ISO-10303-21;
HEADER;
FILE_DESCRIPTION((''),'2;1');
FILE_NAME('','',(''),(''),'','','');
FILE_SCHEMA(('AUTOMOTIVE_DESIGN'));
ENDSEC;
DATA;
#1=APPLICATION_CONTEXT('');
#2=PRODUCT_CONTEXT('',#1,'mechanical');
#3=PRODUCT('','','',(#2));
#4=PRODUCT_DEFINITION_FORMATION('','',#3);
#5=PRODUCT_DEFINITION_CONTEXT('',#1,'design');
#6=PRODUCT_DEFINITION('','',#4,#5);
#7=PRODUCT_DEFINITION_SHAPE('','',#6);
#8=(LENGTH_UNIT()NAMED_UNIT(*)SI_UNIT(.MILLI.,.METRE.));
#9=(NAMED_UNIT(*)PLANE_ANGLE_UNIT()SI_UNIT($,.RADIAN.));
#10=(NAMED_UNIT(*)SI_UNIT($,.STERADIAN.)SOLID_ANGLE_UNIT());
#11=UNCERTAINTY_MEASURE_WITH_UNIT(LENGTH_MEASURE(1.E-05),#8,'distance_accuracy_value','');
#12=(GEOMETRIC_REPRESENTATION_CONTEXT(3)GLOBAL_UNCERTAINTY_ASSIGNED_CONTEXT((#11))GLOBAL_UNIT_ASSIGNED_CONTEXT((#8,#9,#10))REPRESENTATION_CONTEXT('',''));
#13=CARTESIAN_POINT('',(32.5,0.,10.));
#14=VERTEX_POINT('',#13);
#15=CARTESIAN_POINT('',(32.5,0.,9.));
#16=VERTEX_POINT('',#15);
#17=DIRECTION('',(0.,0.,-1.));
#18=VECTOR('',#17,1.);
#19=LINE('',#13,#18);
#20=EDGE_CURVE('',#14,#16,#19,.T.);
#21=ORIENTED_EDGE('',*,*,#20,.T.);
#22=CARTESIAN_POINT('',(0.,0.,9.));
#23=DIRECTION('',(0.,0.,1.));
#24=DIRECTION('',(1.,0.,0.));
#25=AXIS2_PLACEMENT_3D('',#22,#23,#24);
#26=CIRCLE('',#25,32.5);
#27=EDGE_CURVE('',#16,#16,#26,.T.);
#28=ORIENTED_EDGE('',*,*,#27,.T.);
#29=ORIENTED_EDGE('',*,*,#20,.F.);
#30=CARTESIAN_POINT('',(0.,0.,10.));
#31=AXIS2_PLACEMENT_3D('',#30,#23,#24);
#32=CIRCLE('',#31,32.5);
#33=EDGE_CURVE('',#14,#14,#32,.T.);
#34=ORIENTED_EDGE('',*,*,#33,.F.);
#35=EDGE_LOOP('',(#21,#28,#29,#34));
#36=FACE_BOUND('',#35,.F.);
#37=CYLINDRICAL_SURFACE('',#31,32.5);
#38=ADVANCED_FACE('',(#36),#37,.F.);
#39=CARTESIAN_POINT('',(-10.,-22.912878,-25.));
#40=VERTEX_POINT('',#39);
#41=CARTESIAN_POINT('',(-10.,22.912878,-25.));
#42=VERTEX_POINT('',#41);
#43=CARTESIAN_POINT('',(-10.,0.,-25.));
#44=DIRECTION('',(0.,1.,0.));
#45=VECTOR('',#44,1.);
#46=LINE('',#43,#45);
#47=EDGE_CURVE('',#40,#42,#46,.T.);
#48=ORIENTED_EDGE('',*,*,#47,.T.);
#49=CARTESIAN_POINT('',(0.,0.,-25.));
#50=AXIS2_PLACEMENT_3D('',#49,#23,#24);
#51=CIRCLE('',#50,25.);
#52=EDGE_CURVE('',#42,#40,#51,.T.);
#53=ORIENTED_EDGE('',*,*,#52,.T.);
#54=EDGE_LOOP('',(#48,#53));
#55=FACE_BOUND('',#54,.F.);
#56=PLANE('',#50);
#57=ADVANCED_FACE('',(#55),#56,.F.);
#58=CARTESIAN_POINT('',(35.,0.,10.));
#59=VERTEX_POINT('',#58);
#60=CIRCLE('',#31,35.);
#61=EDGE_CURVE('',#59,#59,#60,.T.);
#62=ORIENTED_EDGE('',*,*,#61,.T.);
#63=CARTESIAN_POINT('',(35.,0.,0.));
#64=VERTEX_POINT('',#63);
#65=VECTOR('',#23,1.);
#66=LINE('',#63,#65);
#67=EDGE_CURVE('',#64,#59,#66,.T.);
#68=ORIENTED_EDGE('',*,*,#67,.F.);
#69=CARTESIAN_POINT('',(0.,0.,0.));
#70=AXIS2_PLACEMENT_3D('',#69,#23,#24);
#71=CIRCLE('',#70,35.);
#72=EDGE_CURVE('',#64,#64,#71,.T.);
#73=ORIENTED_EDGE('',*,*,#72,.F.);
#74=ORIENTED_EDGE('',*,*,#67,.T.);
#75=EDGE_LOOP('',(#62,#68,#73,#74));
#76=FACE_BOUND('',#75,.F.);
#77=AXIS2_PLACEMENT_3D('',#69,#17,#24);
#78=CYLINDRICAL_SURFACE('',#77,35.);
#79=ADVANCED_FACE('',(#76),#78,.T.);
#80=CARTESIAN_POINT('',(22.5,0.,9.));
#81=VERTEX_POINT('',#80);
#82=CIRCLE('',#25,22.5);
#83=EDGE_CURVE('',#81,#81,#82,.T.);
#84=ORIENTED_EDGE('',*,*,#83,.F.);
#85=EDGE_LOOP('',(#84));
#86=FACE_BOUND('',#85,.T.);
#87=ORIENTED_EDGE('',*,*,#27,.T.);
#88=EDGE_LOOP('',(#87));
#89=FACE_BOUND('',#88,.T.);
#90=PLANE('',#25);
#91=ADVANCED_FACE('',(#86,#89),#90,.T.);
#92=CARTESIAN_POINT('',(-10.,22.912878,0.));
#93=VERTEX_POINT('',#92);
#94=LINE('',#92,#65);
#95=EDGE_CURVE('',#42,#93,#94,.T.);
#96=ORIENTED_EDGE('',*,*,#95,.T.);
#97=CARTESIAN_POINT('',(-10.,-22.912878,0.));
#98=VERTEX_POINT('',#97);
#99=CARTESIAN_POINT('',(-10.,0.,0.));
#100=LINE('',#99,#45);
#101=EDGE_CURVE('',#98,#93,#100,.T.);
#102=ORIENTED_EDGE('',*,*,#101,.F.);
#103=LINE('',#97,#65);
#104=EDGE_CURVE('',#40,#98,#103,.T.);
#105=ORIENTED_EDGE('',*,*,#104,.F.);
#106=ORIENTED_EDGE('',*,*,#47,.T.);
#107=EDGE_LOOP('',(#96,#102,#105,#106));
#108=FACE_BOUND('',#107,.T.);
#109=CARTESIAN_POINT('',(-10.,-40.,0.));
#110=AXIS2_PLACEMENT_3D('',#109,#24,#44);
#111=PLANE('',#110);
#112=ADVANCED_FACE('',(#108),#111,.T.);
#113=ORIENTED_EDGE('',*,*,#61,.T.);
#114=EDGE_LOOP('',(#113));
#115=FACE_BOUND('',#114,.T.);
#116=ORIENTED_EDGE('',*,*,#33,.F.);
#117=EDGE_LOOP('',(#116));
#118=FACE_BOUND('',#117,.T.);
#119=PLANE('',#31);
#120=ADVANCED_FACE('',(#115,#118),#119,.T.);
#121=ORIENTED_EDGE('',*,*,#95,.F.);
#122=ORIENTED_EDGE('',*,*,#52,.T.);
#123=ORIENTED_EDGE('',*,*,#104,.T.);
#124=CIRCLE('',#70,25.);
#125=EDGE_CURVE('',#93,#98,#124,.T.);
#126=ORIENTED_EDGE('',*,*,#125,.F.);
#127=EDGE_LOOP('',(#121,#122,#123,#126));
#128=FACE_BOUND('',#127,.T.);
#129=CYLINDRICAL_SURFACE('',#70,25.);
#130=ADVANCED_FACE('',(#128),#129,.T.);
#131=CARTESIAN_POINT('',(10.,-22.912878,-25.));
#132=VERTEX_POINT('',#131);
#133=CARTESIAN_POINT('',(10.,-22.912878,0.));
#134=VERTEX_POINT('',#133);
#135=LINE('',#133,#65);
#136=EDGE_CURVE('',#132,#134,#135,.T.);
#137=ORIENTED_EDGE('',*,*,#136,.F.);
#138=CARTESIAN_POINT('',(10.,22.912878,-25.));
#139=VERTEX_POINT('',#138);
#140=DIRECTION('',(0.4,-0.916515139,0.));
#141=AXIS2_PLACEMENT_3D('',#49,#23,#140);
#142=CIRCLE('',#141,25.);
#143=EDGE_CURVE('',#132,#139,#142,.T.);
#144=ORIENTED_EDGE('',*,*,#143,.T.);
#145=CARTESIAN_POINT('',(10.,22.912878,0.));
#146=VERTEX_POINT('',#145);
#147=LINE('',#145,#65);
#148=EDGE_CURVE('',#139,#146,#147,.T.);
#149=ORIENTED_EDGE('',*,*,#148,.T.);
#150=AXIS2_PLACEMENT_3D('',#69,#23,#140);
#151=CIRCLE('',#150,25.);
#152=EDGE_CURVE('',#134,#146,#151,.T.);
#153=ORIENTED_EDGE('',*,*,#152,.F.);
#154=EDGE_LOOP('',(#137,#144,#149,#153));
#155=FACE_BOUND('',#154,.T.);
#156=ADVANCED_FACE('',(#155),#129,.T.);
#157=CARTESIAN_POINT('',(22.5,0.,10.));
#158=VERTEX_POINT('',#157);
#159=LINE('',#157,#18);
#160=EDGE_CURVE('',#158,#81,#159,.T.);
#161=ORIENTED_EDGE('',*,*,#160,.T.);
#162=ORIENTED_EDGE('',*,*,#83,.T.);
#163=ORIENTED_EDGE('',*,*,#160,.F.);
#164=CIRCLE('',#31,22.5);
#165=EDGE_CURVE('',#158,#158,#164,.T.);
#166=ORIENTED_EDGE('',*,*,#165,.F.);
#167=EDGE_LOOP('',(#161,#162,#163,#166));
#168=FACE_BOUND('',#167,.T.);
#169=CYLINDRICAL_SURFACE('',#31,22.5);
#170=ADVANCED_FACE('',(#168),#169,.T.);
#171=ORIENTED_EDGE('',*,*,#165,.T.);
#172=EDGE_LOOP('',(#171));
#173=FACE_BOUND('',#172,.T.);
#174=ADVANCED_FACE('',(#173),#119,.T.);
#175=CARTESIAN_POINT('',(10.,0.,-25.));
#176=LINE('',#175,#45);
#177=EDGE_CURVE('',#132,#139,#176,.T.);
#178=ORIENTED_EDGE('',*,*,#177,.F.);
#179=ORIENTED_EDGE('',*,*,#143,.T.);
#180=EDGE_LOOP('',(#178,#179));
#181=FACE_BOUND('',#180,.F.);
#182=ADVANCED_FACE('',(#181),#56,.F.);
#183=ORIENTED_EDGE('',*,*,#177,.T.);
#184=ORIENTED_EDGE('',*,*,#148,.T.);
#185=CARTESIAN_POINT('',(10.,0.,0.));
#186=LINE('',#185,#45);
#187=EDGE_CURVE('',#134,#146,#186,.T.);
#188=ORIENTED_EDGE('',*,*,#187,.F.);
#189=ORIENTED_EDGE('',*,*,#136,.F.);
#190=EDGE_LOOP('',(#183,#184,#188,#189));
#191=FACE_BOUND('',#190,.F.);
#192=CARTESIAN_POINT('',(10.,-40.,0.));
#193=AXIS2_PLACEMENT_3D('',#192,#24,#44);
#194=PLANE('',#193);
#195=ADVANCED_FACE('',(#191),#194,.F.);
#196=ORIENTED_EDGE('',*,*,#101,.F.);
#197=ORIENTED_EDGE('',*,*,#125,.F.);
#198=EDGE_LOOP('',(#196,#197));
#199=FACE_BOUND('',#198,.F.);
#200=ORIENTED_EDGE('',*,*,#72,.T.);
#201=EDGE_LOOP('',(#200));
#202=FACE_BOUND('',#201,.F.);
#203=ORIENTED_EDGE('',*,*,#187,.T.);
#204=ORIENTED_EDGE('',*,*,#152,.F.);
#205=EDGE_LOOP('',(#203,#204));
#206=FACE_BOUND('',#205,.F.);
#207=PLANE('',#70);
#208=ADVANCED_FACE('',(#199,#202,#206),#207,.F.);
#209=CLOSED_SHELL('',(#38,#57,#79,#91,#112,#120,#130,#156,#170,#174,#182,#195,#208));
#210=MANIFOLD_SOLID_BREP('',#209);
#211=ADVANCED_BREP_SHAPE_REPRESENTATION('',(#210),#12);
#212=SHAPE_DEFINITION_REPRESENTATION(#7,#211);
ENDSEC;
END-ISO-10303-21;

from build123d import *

# Parameters (mm, degrees)
F0_R     = 35
F1_DEPTH = 10
F2_R     = 25
F3_DEPTH = 25
F4_W     = 20
F4_H     = 80
F5_DEPTH = 25
F7_R     = 32.5
F7_R_2   = 22.5
F8_DEPTH = 1


with BuildPart() as f1:
    # F0 (on Top) → F1 (new body)
    with BuildSketch(Plane.XY):
        Circle(F0_R)
    extrude(amount=F1_DEPTH)

    # F2 (on Top) → F3 (join)
    with BuildSketch(Plane.XY):
        Circle(F2_R)
    extrude(amount=-F3_DEPTH)

    # F4 (on Top) → F5 (cut)
    with BuildSketch(Plane.XY):
        Rectangle(F4_W, F4_H)
    extrude(amount=-F5_DEPTH, mode=Mode.SUBTRACT)

    # F7 (on offset) → F8 (cut)
    with BuildSketch(Plane.XY.offset(10)):
        Circle(F7_R)
        Circle(F7_R_2, mode=Mode.SUBTRACT)
    extrude(amount=-F8_DEPTH, mode=Mode.SUBTRACT)


solid = f1.part
